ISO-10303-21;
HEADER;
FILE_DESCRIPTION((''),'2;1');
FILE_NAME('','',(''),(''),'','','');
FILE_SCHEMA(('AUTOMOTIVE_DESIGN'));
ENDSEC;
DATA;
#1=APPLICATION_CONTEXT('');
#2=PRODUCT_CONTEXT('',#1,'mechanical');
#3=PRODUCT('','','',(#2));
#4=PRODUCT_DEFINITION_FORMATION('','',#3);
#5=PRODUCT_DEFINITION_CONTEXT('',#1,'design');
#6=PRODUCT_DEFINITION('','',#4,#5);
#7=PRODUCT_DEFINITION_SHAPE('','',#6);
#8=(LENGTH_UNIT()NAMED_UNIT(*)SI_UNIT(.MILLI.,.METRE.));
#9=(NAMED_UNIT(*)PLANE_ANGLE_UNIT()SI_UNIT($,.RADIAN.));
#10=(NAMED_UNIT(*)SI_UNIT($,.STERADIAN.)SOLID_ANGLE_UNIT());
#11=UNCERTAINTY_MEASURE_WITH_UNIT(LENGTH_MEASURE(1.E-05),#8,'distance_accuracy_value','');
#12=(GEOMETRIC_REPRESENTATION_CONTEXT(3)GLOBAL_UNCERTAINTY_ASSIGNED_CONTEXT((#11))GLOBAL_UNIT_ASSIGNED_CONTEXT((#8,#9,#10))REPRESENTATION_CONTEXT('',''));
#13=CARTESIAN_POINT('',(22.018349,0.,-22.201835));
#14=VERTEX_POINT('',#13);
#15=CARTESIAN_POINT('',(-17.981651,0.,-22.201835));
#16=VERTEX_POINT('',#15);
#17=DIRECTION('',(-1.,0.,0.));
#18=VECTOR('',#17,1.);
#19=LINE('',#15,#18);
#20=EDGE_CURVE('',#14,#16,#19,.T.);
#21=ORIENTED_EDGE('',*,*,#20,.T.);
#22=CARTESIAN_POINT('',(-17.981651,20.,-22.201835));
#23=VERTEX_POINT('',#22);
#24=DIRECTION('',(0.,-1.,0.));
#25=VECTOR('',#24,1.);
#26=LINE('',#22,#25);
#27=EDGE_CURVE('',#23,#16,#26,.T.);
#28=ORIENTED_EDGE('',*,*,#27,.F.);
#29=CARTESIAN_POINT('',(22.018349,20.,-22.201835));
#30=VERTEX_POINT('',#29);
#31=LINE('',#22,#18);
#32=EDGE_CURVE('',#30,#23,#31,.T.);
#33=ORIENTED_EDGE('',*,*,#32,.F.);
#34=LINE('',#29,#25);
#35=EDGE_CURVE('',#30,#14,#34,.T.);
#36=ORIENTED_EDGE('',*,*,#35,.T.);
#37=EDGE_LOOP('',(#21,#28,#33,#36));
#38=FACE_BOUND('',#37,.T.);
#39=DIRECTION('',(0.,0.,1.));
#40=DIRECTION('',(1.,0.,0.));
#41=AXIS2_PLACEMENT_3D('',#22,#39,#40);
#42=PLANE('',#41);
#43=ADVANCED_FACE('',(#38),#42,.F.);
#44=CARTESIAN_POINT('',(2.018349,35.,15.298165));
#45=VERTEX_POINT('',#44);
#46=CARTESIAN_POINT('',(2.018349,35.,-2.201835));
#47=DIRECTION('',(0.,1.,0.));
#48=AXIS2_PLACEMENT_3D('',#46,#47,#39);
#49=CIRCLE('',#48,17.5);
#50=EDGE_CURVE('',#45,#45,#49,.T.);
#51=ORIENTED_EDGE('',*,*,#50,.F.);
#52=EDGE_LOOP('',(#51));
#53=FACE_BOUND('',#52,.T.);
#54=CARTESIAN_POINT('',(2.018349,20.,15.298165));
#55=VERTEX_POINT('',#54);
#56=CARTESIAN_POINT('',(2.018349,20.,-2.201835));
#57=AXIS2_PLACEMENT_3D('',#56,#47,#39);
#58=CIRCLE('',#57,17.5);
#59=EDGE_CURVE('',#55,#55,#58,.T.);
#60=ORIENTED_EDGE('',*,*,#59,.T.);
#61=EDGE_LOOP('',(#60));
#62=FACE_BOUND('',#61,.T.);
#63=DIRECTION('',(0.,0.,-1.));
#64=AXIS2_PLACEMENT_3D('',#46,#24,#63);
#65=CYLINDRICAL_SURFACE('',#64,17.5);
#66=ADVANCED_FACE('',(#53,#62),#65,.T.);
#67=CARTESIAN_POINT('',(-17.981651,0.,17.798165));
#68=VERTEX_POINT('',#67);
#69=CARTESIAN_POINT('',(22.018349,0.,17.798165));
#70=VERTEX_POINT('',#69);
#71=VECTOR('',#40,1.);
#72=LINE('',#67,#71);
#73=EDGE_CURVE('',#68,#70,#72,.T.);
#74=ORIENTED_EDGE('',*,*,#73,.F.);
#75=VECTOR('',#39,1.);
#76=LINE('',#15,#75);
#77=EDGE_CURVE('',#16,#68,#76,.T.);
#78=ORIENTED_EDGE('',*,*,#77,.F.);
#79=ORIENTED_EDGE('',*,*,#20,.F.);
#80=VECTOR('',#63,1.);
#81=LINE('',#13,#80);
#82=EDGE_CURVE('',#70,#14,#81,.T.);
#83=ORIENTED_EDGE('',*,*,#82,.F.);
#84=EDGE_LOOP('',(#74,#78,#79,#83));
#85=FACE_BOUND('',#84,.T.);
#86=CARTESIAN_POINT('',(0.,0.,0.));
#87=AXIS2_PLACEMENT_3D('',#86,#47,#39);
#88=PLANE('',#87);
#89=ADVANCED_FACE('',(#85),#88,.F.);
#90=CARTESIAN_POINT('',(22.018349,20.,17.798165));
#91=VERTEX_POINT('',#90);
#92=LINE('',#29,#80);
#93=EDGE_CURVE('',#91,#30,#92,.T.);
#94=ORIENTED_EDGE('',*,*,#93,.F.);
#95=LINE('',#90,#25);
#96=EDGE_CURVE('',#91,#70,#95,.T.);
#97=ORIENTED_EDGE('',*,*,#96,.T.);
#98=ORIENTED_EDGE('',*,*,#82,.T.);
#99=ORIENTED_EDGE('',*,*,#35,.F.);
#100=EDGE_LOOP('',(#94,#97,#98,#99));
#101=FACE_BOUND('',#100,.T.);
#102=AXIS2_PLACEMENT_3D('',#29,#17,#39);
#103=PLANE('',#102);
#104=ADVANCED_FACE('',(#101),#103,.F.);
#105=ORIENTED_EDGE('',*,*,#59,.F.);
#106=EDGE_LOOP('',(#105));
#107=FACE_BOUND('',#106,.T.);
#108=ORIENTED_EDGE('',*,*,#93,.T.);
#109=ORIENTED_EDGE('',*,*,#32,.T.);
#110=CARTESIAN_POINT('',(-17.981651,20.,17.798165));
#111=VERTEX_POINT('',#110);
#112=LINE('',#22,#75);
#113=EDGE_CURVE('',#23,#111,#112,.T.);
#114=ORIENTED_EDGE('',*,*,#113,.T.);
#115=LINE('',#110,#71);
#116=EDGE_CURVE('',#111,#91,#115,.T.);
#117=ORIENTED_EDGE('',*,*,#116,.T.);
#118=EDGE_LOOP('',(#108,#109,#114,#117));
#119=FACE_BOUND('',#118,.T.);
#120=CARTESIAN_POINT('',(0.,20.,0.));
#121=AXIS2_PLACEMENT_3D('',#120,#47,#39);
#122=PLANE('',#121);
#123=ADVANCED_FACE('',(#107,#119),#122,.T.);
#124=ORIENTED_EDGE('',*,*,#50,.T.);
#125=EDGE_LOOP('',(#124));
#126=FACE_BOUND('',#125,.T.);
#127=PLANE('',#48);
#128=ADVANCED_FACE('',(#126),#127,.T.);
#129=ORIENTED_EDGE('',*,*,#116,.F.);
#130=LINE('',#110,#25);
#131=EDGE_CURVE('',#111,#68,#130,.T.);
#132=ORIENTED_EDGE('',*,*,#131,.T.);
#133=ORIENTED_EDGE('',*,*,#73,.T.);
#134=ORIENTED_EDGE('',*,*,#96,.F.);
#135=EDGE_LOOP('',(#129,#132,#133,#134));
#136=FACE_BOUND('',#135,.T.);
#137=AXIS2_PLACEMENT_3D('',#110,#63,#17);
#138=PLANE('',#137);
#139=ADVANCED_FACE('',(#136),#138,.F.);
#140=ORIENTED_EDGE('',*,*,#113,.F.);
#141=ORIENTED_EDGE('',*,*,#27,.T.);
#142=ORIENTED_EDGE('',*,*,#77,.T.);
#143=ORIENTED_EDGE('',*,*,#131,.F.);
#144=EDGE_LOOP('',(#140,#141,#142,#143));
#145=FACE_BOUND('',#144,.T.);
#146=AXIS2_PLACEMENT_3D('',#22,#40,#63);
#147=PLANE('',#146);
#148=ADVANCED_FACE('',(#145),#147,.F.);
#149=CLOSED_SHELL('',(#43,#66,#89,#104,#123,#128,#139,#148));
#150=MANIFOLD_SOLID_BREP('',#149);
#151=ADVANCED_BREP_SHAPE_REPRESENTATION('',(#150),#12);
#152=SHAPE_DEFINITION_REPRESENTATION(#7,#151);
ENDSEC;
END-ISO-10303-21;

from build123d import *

# Parameters (mm, degrees)
SKETCH_1_W      = 40
SKETCH_1_H      = 40
EXTRUDE_1_DEPTH = 20
SKETCH_2_R      = 17.5
EXTRUDE_2_DEPTH = 15


with BuildPart() as part:
    # 草图1 → 凸台-拉伸1 (new body)
    with BuildSketch(Plane(origin=(0, 0, 0), x_dir=(1, 0, 0), z_dir=(0, 1, 0))):
        with Locations((2.018348624, 2.201834862)):
            Rectangle(SKETCH_1_W, SKETCH_1_H)
    extrude(amount=EXTRUDE_1_DEPTH)

    # 草图2 → 凸台-拉伸2 (add)
    with BuildSketch(Plane(origin=(0, 20, 0), x_dir=(1, 0, 0), z_dir=(0, 1, 0))):
        with Locations(Location((2.018348624, 2.201834862, 0), (0, 0, 270))):
            Circle(SKETCH_2_R)
    extrude(amount=EXTRUDE_2_DEPTH)


solid = part.part
